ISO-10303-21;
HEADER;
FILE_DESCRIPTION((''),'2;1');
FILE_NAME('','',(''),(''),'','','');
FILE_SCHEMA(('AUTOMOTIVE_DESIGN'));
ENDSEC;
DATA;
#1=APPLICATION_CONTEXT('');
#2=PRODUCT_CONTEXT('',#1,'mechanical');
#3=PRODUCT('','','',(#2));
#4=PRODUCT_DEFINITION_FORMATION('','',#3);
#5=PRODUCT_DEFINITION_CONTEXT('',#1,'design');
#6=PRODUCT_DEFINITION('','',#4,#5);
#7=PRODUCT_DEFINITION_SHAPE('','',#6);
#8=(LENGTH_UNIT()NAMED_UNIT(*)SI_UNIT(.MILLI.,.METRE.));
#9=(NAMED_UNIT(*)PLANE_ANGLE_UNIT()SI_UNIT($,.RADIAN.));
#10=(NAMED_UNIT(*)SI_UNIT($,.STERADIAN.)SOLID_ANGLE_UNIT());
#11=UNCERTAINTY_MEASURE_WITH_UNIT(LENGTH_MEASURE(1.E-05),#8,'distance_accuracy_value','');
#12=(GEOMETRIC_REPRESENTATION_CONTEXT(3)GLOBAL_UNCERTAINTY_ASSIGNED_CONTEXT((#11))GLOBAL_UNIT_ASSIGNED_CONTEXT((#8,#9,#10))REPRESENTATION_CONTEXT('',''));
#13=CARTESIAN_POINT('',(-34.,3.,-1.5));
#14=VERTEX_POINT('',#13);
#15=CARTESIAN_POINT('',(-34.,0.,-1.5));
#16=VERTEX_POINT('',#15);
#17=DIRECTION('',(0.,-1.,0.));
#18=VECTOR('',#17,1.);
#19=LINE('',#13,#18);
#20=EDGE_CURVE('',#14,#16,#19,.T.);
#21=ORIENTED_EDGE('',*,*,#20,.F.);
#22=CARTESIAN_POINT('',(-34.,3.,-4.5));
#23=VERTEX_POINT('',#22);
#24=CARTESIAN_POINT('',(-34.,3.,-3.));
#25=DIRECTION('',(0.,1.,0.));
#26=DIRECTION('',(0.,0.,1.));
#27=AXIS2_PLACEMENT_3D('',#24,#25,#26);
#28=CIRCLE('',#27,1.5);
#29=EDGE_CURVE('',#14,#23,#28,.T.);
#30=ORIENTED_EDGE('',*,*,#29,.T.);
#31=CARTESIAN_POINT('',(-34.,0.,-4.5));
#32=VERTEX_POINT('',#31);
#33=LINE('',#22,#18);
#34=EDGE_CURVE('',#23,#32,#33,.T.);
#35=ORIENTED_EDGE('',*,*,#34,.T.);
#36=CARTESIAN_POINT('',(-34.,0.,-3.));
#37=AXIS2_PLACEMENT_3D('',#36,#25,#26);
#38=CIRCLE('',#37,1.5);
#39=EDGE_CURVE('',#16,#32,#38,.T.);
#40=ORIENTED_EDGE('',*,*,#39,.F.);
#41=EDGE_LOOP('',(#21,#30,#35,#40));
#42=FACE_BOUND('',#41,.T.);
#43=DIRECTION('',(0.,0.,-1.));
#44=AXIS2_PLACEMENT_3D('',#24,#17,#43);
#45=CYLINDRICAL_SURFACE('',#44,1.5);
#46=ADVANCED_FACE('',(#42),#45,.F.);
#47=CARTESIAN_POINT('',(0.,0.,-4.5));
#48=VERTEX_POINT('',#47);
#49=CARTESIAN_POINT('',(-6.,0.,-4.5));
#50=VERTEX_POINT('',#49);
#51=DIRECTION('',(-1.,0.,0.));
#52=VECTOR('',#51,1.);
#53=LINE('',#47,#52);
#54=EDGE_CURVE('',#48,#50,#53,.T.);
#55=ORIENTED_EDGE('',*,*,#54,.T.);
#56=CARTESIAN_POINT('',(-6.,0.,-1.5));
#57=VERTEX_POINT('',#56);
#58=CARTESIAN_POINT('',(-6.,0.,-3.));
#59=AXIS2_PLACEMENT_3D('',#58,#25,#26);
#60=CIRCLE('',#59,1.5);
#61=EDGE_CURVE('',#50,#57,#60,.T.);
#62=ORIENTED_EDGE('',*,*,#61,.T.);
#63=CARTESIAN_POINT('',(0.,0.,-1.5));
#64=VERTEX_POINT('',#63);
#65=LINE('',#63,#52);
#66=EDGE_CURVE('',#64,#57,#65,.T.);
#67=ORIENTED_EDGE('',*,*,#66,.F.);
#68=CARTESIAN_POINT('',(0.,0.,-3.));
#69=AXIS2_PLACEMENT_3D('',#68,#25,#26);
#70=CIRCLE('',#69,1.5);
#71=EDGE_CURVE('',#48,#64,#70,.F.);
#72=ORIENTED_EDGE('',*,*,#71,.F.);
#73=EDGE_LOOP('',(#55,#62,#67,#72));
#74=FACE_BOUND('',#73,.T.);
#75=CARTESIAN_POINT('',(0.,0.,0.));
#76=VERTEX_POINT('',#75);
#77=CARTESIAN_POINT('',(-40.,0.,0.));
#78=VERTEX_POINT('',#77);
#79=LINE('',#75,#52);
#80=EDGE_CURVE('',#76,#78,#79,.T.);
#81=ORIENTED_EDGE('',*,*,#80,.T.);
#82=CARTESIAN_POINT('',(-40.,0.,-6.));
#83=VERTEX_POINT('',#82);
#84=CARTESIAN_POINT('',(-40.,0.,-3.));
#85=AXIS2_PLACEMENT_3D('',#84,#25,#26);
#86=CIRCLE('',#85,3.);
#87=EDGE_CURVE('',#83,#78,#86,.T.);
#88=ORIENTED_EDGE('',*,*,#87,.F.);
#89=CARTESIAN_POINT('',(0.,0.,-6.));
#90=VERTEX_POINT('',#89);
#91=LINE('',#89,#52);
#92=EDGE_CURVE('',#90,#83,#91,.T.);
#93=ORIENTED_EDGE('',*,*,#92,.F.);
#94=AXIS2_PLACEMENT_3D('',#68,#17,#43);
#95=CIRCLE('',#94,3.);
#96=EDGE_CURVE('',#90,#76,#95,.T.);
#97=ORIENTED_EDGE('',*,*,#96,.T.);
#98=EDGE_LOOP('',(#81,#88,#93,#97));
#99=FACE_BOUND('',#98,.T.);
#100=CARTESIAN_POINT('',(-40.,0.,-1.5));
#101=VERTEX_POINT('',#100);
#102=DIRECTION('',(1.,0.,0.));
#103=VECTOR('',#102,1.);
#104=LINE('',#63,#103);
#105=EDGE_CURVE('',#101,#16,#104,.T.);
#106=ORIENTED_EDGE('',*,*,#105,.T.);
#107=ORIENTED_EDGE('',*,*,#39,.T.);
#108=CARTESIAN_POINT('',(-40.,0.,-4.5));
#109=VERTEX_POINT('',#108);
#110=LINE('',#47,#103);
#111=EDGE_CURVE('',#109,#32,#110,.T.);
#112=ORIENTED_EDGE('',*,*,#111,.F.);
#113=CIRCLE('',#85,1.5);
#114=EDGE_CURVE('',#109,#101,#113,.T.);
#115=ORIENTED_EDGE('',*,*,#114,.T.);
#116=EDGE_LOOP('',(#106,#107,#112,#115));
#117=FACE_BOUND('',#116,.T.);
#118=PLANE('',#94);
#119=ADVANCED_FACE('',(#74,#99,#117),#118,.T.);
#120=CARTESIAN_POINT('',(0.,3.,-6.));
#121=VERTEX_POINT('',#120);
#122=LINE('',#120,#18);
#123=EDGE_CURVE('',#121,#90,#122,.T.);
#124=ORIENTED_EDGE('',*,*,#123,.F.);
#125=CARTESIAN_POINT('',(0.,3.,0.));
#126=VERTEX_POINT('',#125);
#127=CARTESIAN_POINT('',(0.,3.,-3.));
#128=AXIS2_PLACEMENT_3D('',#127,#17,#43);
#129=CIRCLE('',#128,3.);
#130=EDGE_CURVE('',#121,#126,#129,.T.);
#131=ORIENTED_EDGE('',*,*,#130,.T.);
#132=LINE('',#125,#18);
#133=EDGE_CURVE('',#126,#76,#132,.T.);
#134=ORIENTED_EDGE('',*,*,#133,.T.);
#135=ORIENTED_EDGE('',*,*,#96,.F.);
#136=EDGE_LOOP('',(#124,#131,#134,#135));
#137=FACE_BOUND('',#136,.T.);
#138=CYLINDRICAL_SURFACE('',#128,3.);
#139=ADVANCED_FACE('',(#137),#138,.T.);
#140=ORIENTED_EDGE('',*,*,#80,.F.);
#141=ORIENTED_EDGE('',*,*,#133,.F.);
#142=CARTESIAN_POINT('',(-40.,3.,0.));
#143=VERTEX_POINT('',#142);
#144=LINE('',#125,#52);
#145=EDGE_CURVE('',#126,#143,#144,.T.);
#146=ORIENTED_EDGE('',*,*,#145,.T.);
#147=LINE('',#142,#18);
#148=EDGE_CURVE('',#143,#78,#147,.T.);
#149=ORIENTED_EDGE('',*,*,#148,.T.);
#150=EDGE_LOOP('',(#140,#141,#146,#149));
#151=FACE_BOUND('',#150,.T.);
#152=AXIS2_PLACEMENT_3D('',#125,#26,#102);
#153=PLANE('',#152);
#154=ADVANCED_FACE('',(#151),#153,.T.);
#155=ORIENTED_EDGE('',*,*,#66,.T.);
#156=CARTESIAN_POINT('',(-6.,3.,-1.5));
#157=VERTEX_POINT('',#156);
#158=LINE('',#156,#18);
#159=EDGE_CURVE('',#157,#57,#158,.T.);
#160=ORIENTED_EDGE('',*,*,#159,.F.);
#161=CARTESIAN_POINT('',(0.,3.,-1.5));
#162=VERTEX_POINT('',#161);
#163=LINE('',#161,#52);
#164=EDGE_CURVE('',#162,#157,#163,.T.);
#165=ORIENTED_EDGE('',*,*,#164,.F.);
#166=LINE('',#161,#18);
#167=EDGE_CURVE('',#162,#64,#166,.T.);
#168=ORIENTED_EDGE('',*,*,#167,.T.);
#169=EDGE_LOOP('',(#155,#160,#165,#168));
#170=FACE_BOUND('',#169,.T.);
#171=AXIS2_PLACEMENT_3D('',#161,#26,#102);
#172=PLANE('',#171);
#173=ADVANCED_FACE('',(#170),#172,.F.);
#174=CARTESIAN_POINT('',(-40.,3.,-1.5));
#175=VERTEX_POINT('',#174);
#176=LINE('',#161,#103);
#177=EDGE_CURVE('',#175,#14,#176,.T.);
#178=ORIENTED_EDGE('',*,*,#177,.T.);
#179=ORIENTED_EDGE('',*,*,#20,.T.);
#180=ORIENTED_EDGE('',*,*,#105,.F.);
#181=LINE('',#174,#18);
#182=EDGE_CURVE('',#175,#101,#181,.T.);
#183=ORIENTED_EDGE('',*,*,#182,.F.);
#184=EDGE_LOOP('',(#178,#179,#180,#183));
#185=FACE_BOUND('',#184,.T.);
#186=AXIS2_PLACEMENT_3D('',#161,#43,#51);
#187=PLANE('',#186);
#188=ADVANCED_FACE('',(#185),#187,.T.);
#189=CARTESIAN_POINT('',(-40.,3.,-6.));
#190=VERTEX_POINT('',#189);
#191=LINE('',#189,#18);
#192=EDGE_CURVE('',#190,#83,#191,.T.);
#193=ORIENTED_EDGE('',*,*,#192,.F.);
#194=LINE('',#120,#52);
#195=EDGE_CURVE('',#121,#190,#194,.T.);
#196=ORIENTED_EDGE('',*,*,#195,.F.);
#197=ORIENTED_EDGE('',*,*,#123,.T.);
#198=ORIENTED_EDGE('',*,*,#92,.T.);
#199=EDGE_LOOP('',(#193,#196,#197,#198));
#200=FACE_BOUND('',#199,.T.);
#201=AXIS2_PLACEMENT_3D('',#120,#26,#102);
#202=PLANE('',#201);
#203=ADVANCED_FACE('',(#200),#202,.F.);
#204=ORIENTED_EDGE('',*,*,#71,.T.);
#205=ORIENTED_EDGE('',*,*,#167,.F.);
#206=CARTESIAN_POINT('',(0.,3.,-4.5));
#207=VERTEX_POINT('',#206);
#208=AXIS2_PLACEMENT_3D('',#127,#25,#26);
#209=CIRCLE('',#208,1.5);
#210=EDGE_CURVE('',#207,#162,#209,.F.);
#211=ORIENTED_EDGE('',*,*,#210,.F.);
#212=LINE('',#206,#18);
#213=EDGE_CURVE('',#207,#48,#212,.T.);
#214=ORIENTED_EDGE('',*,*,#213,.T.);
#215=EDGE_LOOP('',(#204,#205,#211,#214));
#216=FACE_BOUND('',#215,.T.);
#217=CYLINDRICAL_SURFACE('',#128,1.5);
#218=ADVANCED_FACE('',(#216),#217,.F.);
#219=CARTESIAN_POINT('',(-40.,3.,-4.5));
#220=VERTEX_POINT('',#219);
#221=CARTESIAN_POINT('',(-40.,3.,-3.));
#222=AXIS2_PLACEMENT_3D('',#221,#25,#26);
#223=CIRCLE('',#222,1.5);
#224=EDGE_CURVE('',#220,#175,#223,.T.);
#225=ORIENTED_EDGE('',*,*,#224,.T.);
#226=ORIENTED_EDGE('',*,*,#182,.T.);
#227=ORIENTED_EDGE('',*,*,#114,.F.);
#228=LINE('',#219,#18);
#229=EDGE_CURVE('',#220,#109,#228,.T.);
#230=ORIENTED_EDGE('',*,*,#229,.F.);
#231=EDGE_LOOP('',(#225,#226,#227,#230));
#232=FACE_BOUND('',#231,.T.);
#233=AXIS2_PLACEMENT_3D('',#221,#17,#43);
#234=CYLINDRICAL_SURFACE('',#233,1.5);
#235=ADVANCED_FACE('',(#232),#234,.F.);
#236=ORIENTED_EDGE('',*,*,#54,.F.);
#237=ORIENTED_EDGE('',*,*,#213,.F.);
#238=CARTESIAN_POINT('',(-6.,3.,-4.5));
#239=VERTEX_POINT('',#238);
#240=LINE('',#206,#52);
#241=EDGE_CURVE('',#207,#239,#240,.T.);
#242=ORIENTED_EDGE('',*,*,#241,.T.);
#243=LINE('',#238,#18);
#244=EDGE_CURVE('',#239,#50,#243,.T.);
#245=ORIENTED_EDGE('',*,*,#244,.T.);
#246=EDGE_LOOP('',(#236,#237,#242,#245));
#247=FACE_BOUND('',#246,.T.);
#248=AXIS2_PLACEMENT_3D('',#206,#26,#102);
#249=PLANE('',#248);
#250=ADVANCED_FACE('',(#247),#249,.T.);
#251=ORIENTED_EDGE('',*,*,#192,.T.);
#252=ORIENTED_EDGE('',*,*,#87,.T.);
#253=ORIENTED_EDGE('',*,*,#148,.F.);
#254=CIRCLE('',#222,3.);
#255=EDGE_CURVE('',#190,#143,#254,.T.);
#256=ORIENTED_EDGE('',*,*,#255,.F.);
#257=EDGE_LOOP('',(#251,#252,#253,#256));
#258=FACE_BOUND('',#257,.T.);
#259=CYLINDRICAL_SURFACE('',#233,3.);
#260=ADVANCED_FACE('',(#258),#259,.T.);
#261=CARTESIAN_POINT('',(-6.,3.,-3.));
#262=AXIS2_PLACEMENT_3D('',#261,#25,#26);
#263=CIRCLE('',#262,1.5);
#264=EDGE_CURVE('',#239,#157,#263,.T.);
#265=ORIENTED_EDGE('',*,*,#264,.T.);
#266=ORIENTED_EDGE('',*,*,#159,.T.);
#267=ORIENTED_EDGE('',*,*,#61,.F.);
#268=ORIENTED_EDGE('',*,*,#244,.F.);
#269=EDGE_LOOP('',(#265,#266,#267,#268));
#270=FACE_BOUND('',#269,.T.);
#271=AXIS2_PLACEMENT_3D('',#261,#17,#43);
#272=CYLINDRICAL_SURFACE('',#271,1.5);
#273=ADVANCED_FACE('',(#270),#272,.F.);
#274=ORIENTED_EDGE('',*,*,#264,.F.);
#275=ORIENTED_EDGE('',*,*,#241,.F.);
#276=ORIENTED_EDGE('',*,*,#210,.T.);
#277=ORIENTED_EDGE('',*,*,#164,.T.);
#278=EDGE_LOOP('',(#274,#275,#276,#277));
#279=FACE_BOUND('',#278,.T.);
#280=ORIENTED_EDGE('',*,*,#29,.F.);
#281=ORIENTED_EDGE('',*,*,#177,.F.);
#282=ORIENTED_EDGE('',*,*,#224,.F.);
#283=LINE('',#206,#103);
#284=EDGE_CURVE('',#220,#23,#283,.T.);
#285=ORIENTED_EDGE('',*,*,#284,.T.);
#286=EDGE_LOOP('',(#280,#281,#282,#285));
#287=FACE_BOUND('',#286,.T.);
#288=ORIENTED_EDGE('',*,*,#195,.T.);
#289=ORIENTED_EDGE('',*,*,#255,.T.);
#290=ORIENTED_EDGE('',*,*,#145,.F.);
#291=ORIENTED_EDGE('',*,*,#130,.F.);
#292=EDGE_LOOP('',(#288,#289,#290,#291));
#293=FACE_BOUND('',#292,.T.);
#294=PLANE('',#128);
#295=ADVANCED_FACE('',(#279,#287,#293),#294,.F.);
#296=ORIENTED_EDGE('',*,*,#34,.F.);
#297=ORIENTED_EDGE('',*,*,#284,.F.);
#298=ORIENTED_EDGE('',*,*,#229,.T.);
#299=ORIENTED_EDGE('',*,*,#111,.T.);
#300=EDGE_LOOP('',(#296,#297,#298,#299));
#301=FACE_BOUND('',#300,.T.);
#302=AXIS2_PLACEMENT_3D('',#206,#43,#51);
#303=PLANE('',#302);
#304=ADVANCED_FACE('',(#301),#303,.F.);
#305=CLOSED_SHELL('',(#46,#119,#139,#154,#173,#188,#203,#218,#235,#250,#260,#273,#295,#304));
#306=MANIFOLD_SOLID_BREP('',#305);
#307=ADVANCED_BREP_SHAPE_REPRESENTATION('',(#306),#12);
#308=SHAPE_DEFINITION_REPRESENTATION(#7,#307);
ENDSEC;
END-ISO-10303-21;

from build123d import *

# Parameters (mm, degrees)
BOSS_EXTRUDE1_DEPTH = 3


with BuildPart() as part:
    # Sketch1 → Boss-Extrude1 (new body)
    with BuildSketch(Plane(origin=(0, 0, 0), x_dir=(1, 0, 0), z_dir=(0, 1, 0))):
        with BuildLine():
            Line((0, 0), (-40, 0))
            ThreePointArc((-40, 0), (-43, 3), (-40, 6))
            Line((-40, 6), (0, 6))
            ThreePointArc((0, 6), (3, 3), (0, 0))
        make_face()
        with BuildLine():
            Line((-40, 4.5), (-34, 4.5))
            ThreePointArc((-34, 4.5), (-32.5, 3), (-34, 1.5))
            Line((-34, 1.5), (-40, 1.5))
            ThreePointArc((-40, 1.5), (-41.5, 3), (-40, 4.5))
        make_face(mode=Mode.SUBTRACT)
        with BuildLine():
            Line((0, 1.5), (-6, 1.5))
            ThreePointArc((-6, 1.5), (-7.5, 3), (-6, 4.5))
            Line((-6, 4.5), (0, 4.5))
            ThreePointArc((0, 4.5), (1.5, 3), (0, 1.5))
        make_face(mode=Mode.SUBTRACT)
    extrude(amount=BOSS_EXTRUDE1_DEPTH)


solid = part.part
